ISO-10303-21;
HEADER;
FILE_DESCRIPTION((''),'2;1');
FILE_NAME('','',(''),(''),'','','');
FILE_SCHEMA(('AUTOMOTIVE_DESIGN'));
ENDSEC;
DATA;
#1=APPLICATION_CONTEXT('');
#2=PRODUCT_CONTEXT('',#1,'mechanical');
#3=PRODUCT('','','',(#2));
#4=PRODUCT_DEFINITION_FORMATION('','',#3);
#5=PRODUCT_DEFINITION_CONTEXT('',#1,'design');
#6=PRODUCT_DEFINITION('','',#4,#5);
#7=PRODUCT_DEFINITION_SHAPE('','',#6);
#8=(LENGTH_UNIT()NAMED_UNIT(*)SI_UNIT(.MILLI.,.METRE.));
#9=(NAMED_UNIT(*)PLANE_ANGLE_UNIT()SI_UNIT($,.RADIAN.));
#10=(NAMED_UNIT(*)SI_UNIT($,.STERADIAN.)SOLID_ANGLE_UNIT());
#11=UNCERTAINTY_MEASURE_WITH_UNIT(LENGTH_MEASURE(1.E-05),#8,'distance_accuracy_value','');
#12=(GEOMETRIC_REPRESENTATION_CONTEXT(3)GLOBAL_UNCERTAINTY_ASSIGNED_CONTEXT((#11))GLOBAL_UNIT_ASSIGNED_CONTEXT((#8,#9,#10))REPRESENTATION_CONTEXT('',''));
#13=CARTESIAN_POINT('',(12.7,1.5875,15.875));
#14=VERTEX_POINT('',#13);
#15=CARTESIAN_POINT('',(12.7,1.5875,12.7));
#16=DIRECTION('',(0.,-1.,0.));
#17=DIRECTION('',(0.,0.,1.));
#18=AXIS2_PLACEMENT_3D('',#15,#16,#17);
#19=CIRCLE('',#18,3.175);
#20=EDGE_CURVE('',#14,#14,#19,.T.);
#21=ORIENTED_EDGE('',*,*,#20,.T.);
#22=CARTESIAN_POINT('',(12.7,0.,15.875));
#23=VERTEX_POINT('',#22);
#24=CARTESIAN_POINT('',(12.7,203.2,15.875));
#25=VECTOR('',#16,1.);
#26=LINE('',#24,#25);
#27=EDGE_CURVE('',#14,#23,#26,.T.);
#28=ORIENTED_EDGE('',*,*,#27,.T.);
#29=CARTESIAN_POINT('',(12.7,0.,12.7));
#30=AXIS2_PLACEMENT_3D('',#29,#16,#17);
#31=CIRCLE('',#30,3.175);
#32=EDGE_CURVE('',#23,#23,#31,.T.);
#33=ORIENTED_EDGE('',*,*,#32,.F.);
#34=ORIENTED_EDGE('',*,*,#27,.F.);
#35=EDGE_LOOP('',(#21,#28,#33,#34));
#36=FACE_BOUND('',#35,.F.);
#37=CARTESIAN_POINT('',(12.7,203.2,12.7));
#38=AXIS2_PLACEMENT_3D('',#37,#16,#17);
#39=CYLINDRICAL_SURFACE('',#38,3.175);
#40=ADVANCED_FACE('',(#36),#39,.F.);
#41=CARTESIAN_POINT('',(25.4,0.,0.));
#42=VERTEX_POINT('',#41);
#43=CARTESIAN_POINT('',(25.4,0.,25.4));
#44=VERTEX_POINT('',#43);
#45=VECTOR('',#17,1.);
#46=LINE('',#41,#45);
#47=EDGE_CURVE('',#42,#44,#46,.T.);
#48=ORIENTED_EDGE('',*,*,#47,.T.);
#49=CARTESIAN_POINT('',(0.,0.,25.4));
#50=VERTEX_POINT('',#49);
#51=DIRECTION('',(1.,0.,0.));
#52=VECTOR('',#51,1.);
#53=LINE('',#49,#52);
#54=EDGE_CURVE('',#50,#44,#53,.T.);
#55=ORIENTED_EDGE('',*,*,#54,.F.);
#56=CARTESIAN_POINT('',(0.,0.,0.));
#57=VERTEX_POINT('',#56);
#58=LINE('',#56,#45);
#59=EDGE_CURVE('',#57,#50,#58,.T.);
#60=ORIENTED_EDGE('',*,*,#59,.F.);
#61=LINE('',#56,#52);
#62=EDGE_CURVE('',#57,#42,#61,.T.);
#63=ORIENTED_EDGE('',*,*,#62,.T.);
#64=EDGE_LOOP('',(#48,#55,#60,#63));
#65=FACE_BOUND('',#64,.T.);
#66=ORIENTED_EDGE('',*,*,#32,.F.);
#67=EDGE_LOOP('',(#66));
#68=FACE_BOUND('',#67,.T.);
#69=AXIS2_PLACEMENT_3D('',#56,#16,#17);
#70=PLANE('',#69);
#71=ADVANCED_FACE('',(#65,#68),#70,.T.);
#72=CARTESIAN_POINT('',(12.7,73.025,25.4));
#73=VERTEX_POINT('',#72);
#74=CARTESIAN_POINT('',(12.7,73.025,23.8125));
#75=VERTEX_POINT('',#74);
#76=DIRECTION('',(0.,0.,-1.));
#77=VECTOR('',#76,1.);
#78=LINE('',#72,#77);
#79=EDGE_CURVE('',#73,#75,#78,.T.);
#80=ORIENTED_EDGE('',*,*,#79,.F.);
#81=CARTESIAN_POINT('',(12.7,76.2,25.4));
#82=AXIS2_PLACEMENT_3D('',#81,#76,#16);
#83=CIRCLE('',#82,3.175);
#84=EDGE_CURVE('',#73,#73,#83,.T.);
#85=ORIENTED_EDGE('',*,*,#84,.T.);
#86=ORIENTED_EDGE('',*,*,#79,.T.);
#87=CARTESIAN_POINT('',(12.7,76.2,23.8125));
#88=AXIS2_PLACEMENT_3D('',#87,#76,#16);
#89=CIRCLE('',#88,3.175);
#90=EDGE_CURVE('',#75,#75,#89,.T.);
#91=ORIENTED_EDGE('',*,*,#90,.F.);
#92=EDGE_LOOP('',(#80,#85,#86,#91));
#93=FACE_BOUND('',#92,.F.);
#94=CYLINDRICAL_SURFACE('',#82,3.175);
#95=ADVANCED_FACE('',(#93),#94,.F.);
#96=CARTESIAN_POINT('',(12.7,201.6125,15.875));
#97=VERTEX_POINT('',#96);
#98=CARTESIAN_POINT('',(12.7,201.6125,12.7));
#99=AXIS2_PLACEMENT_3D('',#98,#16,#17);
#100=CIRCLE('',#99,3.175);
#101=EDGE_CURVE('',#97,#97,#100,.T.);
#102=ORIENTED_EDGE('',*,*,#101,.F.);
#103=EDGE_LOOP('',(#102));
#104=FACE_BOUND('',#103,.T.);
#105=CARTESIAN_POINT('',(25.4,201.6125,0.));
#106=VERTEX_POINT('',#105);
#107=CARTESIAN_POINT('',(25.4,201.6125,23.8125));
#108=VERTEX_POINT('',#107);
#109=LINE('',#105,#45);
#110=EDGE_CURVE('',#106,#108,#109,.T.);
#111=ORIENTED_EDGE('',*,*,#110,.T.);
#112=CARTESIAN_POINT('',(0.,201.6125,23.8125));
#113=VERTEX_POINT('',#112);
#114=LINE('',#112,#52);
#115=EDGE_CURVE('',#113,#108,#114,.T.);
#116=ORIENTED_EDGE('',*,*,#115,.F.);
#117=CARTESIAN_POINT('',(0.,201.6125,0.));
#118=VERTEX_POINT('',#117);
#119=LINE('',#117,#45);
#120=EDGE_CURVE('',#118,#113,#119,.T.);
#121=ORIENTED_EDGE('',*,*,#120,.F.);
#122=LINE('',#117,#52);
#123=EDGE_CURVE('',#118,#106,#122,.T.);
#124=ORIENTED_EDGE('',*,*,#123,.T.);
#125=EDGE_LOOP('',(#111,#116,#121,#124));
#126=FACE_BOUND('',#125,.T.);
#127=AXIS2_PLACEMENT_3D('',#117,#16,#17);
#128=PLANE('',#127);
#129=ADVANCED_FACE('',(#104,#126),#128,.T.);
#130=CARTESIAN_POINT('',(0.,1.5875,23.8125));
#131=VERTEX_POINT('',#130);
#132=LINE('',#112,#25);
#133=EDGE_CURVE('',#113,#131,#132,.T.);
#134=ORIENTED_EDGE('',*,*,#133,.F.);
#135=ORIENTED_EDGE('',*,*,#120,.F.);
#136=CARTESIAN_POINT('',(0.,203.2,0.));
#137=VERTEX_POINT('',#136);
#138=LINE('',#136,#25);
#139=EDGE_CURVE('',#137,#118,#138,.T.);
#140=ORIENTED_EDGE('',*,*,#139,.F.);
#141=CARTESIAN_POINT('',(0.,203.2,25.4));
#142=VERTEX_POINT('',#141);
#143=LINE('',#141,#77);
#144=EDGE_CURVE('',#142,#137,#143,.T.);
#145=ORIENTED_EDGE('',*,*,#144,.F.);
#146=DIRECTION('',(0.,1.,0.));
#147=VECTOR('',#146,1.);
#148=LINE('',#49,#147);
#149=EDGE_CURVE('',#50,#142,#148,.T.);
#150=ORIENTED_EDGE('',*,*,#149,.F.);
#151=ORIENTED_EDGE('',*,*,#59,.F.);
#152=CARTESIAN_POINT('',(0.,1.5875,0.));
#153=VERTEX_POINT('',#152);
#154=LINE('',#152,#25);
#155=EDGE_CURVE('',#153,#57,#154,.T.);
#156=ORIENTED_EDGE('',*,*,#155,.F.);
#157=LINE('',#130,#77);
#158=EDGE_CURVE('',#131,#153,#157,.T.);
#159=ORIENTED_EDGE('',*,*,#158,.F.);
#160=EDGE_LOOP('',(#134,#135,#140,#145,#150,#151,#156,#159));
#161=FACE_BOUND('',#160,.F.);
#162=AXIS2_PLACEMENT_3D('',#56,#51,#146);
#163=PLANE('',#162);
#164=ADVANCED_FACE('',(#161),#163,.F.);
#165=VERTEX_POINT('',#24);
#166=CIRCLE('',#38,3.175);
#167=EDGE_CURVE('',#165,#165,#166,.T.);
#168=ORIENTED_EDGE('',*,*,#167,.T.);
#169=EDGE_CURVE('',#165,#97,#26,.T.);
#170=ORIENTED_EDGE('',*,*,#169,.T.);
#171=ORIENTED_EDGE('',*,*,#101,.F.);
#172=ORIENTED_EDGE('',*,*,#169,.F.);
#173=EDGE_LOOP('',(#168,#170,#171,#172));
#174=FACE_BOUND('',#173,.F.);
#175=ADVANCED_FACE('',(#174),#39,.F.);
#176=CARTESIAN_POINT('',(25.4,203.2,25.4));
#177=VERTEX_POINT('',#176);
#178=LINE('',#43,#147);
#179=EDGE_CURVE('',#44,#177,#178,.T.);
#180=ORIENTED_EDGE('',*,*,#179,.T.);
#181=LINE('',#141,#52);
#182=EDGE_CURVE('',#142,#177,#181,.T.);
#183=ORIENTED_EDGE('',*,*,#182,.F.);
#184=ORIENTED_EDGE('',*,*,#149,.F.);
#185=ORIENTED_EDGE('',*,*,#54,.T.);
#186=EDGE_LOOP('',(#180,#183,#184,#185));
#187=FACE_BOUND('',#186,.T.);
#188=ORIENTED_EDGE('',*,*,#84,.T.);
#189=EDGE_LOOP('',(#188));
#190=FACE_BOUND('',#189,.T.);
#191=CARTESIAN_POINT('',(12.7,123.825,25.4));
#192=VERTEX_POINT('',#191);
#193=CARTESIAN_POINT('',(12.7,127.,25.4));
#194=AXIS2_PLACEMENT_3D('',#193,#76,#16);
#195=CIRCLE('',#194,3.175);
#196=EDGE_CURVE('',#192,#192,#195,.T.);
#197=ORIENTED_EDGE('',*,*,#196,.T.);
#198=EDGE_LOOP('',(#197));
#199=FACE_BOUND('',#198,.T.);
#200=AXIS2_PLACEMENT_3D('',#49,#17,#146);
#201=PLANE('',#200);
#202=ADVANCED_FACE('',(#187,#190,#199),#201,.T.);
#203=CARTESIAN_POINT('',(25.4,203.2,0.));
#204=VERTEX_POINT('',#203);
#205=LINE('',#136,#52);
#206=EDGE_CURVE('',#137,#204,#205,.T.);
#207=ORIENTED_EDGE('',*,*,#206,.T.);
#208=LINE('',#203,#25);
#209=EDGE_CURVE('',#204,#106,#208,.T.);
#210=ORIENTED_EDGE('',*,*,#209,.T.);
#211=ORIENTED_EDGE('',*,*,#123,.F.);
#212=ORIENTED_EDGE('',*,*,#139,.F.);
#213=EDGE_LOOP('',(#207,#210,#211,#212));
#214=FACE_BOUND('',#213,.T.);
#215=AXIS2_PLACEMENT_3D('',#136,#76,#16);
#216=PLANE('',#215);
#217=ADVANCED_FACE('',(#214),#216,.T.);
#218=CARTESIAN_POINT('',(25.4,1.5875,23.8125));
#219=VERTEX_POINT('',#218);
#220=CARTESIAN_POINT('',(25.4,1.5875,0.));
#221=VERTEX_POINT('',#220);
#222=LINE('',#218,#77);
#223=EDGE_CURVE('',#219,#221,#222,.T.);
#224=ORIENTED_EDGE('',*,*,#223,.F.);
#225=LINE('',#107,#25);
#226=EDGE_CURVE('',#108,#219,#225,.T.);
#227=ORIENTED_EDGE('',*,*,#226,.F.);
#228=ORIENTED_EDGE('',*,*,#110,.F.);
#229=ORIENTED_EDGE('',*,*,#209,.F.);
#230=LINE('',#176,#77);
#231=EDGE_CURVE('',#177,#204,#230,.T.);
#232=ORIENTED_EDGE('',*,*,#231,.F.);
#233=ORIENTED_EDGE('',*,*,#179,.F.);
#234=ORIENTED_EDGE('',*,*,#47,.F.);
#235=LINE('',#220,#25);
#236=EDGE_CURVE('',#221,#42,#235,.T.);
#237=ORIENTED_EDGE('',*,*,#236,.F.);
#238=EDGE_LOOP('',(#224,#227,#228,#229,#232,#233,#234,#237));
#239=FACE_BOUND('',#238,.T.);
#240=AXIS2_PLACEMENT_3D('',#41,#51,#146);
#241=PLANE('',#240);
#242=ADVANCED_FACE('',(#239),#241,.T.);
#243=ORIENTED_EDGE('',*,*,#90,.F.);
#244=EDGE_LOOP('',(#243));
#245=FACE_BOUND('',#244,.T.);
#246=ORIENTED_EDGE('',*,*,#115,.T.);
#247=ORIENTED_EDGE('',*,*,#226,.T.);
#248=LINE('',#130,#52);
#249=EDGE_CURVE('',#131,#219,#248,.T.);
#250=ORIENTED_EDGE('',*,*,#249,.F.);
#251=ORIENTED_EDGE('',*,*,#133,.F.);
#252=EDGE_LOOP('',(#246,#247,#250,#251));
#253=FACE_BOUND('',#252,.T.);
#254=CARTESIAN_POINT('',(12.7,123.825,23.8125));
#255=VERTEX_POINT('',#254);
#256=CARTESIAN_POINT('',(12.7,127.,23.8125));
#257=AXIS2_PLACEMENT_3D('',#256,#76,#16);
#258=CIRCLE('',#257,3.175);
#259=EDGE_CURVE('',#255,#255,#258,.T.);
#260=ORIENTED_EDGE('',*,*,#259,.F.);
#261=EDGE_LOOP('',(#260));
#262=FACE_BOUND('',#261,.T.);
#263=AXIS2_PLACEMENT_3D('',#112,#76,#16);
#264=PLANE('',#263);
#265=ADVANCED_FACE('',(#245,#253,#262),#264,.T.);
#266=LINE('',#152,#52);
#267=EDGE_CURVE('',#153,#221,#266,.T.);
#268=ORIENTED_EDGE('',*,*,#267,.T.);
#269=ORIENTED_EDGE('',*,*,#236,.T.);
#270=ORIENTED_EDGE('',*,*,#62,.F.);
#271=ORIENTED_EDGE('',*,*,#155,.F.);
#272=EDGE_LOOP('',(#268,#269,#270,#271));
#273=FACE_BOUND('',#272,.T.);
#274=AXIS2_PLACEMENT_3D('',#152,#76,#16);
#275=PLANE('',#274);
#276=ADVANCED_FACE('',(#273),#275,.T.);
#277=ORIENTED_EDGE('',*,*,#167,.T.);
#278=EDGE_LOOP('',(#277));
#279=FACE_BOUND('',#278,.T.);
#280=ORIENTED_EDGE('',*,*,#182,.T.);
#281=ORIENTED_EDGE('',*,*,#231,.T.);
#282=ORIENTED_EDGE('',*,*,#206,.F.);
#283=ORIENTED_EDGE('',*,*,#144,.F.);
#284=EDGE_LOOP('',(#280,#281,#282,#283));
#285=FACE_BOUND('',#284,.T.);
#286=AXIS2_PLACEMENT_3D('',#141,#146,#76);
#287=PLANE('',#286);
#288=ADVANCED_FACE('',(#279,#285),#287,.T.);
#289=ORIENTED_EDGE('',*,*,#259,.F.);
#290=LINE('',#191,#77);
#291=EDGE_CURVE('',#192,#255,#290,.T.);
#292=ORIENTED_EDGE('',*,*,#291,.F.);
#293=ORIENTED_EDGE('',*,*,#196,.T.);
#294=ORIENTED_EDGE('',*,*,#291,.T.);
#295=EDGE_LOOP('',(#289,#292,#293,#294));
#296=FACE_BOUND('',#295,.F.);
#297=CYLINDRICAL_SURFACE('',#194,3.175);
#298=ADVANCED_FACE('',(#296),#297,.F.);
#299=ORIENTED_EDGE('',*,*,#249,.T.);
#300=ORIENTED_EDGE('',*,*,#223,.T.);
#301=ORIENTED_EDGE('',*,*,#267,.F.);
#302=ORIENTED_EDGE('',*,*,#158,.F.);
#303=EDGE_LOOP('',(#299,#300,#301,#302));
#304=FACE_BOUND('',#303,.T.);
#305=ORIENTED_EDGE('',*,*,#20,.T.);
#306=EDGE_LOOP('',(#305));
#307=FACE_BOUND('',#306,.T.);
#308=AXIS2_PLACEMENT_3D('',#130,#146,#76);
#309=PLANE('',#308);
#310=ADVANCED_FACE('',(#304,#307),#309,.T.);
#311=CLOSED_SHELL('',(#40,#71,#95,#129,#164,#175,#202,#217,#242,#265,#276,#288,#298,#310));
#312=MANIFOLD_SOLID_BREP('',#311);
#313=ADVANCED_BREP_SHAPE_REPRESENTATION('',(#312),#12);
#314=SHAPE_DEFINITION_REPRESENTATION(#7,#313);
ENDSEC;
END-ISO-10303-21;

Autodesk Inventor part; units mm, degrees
ref_plane "YZ Plane" through (0, 0, 0) normal (1, 0, 0) x (0, 1, 0)
ref_plane "XZ Plane" through (0, 0, 0) normal (0, 1, 0) x (-1, 0, 0)
ref_plane "XY Plane" through (0, 0, 0) normal (0, 0, 1) x (1, 0, 0)
sketch "Sketch1" plane through (0, 0, 0) normal (1, 0, 0) x (0, 1, 0)
  line L0 (0, 0) -> (0, 25.4)
  line L1 (0, 25.4) -> (203.2, 25.4)
  line L2 (203.2, 25.4) -> (203.2, 0)
  line L3 (203.2, 0) -> (201.6125, 0)
  line L4 (201.6125, 0) -> (201.6125, 23.8125)
  line L5 (201.6125, 23.8125) -> (1.5875, 23.8125)
  line L6 (1.5875, 23.8125) -> (1.5875, 0)
  line L7 (1.5875, 0) -> (0, 0)
  dimension "d0" = 25.4
  dimension "d1" = 203.2
  dimension "d2" = 1.5875
  dimension "d3" = 1.5875
  dimension "d4" = 1.5875
  dimension "d5" = 25.4
extrude "Extrusion1" add sketch "Sketch1" along normal blind 25.4
sketch "Sketch2" plane through (0, 203.2, 25.4) normal (0, 1, 0) x (1, 0, 0)
  line L0 (25.4, 25.4) -> (25.4, 0) projected
  line L1 (0, 25.4) -> (25.4, 25.4) projected
  point P0 (12.7, 12.7)
  dimension "d8" = 12.7
  dimension "d9" = 12.7
hole "Hole1" at (12.7, 203.2, 12.7) direction (0, -1, 0) diameter 6.35 end through all
sketch "Sketch3" plane through (0, 0, 25.4) normal (0, 0, 1) x (1, 0, 0)
  line L0 (0, 0) -> (0, 203.2) projected
  line L1 (0, 0) -> (25.4, 0) projected
  line L2 (25.4, 203.2) -> (25.4, 0) projected
  line L3 (0, 101.6) -> (25.4, 101.6)
  point P0 (12.7, 127)
  point P1 (12.7, 76.2)
  dimension "d17" = 12.7
  dimension "d18" = 12.7
  dimension "d28" = 101.6
  dimension "d29" = 50.8
  dimension "d30" = 25.4
hole "Hole2" at (12.7, 127, 25.4) at (12.7, 76.2, 25.4) direction (0, 0, -1) diameter 6.35 end through all
properties part number "SupportBAr" material "Aluminum 6061"
